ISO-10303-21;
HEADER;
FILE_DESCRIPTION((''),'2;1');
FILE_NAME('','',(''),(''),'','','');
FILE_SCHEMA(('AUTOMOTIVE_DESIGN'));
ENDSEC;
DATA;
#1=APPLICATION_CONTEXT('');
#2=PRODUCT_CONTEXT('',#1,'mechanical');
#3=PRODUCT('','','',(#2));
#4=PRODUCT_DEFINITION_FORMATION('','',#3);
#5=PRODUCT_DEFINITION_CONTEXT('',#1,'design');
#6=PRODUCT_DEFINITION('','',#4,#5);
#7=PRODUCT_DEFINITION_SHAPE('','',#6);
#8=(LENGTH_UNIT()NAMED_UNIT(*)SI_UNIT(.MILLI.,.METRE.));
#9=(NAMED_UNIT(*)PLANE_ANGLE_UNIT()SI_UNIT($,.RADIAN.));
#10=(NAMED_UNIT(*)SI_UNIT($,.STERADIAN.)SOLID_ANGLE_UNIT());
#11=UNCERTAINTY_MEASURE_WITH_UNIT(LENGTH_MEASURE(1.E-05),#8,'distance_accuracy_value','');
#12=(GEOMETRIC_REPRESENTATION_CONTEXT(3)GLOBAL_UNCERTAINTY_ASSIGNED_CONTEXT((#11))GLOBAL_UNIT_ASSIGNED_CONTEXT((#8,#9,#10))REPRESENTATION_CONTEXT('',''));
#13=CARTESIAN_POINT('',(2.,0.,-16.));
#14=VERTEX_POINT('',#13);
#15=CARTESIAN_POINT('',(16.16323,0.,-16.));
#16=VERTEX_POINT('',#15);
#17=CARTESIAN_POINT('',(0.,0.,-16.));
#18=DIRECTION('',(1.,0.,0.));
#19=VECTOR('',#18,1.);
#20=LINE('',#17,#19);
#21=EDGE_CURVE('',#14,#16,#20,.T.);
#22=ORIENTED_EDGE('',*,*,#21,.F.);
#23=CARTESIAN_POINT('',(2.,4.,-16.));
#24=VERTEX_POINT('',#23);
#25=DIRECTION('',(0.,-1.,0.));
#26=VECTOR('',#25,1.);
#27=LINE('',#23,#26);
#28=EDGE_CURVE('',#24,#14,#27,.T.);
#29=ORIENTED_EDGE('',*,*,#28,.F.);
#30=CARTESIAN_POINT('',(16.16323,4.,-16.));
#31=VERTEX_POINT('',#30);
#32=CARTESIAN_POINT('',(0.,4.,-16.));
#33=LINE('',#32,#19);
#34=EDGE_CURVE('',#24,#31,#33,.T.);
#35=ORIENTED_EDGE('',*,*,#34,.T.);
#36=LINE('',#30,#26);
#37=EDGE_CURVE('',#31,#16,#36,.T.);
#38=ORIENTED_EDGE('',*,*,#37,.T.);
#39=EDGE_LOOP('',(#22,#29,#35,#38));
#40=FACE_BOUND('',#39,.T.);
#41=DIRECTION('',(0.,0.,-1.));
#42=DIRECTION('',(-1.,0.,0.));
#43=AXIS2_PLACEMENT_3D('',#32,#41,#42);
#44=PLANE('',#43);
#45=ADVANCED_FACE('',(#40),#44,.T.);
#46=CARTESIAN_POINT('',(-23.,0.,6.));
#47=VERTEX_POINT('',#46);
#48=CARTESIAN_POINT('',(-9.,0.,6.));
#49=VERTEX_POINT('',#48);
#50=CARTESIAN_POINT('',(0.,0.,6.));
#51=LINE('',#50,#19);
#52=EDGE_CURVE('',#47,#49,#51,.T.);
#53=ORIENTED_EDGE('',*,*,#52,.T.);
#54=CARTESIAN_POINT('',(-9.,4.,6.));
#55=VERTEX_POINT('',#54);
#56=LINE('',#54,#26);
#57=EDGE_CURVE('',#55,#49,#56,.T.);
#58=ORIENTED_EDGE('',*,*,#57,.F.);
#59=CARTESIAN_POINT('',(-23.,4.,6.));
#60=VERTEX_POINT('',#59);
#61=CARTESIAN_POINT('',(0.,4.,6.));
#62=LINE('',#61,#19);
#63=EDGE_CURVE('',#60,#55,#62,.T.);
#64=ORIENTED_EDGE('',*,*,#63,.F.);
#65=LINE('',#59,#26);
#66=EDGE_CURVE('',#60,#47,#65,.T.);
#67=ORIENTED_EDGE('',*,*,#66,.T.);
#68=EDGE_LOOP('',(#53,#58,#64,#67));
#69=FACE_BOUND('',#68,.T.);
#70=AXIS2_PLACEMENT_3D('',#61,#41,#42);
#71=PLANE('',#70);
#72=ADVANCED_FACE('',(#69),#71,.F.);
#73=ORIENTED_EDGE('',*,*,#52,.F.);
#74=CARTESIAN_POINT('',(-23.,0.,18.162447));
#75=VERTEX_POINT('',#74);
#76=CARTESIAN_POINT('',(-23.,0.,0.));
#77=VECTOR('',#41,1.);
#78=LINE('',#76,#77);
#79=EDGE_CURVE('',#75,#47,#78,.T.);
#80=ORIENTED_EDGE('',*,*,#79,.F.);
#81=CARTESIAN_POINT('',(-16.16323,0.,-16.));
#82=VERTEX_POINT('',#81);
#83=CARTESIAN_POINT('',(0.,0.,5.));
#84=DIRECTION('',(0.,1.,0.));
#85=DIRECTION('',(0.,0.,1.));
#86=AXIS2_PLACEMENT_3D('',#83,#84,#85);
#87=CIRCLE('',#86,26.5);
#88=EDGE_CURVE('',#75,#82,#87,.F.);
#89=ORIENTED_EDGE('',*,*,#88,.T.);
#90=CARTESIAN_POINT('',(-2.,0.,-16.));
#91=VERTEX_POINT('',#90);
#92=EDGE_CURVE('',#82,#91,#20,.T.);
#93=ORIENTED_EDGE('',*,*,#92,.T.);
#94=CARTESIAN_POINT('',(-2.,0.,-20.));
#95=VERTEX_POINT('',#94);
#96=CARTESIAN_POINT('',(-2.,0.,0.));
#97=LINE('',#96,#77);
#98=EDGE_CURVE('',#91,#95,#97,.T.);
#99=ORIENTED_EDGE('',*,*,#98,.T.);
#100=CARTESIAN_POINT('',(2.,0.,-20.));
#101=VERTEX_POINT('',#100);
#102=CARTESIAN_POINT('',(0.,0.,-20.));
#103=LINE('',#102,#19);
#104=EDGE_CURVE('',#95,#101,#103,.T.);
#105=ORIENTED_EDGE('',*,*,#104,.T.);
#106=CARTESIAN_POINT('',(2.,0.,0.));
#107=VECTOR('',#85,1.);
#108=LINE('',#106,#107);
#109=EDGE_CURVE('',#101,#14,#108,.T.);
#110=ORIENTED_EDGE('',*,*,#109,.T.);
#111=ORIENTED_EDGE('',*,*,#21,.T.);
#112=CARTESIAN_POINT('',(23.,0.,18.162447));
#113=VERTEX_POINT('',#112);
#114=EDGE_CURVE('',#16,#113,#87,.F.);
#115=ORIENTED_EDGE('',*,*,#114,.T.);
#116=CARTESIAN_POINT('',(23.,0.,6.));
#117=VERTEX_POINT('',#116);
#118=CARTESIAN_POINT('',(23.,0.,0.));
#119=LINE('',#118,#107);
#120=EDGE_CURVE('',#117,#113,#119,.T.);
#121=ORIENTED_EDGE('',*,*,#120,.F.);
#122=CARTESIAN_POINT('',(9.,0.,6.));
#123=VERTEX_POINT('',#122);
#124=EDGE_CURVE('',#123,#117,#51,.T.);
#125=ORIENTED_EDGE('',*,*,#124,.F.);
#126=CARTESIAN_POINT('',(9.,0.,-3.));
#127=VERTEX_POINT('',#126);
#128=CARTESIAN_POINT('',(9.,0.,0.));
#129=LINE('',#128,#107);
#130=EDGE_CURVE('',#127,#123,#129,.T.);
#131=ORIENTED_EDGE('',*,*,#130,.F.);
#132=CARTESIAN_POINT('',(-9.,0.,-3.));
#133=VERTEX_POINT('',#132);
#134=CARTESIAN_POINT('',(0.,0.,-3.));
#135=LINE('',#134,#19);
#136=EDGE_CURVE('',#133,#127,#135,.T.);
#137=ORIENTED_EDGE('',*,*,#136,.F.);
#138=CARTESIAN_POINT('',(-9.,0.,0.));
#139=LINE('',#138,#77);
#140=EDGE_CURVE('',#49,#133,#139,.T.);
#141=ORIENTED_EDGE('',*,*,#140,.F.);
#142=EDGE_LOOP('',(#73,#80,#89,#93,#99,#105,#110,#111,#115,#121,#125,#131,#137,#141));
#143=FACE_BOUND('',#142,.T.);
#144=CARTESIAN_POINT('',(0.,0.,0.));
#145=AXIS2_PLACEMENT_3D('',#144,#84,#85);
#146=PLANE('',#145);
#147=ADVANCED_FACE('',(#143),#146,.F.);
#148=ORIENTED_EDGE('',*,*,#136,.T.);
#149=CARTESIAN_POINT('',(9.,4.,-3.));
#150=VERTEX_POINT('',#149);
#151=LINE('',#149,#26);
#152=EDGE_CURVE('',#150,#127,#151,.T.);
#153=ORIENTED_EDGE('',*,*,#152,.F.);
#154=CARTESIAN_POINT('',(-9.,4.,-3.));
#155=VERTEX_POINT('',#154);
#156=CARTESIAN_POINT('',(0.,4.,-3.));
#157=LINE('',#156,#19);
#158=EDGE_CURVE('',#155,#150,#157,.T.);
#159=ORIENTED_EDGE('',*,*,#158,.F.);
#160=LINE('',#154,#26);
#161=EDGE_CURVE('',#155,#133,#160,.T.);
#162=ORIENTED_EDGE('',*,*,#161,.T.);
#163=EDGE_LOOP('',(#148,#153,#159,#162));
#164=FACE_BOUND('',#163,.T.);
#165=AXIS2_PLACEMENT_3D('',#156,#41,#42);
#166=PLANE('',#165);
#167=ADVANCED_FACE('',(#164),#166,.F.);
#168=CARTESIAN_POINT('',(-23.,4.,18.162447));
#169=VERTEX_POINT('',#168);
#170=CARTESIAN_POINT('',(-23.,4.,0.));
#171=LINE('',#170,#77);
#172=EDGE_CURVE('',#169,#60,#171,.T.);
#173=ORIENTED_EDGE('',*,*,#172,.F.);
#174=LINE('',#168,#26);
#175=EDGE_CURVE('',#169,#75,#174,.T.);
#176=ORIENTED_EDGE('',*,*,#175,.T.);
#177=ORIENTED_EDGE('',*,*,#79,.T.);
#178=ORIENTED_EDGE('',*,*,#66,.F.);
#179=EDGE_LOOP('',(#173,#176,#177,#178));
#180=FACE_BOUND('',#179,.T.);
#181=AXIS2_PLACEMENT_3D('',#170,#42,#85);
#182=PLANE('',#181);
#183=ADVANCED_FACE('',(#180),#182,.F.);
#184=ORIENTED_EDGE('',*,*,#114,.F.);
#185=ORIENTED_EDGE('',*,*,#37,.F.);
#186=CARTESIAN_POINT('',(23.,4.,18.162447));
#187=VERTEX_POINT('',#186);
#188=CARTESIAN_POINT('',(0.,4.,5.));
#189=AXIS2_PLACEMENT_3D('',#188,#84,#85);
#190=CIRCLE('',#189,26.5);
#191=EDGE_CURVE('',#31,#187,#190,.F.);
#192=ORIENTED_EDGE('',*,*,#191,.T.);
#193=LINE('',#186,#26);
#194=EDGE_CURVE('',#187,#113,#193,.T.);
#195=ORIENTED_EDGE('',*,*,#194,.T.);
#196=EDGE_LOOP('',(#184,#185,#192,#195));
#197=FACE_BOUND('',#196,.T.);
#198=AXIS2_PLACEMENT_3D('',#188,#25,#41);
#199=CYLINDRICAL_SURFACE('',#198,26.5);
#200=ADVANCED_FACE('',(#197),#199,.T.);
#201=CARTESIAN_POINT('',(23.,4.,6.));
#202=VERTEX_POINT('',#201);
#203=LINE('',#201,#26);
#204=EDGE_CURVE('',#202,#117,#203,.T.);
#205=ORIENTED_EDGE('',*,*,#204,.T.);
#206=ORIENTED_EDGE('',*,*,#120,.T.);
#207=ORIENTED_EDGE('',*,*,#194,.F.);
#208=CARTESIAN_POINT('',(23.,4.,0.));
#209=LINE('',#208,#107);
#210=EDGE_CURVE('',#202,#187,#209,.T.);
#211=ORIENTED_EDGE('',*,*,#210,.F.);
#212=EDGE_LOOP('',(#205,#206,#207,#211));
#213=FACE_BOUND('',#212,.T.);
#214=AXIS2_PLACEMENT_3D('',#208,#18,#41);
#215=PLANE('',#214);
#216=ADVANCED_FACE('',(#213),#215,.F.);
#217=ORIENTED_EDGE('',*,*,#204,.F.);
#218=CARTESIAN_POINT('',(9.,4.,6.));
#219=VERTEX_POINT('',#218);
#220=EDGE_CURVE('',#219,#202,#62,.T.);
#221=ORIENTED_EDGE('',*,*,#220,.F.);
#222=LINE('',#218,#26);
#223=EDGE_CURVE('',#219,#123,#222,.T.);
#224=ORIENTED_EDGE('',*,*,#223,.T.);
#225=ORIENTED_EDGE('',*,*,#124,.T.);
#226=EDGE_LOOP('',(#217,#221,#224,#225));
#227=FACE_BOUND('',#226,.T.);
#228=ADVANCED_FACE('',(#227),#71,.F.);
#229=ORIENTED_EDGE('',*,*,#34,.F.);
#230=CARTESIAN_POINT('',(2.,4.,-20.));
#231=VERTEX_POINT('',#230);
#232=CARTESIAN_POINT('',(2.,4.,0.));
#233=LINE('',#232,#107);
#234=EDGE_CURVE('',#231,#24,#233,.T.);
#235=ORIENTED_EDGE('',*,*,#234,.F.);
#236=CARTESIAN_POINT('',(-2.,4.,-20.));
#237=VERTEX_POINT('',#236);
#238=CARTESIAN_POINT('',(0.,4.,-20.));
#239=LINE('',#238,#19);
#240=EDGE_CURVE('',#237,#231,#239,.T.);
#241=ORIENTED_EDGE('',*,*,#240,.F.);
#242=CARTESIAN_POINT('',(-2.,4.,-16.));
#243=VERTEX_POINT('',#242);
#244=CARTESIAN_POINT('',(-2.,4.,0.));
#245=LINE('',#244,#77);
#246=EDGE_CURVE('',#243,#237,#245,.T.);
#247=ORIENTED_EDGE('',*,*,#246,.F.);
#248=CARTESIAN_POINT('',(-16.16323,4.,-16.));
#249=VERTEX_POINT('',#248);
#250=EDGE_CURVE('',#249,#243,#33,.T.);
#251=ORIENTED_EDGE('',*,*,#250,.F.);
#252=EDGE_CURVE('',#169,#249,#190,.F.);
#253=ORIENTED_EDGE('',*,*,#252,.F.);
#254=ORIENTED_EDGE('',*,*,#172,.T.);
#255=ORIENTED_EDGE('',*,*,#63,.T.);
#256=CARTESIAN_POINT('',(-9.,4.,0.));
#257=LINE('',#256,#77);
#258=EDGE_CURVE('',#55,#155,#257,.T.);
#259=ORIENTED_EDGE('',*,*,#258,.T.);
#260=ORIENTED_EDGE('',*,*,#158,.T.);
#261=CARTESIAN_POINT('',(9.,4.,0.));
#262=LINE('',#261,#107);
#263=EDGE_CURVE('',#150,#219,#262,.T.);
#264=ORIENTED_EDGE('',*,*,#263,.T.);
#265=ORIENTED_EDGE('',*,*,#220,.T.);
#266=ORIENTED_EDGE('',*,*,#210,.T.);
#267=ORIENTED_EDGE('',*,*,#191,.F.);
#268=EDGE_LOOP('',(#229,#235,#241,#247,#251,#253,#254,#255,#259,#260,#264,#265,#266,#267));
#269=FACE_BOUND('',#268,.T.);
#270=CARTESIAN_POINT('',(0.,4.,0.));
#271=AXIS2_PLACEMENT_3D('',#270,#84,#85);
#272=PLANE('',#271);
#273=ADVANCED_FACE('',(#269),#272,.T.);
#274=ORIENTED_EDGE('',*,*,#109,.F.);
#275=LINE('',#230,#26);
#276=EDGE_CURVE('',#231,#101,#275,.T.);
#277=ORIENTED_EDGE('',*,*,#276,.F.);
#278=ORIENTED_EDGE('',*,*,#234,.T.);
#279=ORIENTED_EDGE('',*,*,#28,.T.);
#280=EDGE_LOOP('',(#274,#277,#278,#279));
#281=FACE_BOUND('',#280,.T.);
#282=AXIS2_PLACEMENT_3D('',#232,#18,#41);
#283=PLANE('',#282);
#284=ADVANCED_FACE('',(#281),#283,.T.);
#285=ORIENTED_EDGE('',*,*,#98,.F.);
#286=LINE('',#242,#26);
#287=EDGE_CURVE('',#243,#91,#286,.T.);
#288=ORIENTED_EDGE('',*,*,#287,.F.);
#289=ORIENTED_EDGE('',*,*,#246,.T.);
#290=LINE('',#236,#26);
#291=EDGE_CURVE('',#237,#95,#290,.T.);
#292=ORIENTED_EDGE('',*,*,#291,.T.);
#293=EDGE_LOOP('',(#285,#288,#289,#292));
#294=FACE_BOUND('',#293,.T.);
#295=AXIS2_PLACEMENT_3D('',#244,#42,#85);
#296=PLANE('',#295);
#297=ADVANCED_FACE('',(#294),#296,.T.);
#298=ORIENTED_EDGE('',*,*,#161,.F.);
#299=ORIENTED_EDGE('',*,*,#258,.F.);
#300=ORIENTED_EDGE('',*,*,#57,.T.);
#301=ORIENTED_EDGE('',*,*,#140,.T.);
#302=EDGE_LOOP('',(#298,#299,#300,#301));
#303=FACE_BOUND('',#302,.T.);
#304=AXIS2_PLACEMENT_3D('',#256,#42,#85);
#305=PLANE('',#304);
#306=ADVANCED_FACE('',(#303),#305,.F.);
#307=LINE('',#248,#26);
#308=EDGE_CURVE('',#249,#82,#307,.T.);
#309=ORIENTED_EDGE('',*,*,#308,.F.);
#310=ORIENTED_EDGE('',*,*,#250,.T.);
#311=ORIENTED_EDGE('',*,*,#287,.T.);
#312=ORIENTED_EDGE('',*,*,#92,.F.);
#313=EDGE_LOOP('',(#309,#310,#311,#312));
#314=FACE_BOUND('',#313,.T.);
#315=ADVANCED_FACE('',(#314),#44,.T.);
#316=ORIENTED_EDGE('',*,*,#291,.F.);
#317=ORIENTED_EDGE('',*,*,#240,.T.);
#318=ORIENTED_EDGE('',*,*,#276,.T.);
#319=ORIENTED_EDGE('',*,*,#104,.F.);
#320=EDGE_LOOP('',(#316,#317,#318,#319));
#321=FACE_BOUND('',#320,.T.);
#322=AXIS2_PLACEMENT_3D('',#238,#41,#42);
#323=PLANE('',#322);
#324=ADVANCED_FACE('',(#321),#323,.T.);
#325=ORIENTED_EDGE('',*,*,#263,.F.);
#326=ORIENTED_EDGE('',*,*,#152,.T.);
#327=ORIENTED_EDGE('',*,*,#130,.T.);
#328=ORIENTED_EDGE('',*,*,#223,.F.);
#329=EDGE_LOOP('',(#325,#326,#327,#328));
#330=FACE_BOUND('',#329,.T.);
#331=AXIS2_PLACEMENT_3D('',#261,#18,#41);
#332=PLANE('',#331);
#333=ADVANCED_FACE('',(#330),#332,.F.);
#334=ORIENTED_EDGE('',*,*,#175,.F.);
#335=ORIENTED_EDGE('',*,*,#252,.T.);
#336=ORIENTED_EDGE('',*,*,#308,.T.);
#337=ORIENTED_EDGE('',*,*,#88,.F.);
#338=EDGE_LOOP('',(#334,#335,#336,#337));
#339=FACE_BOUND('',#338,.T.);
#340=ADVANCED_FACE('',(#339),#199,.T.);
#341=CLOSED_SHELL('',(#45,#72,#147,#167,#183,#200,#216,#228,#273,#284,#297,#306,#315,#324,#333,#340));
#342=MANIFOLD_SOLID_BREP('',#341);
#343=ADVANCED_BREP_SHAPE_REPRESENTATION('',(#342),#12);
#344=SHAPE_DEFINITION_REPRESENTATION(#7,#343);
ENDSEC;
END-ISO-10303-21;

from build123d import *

# Parameters (mm, degrees)
SCHIZZO1_W                   = 4
SCHIZZO1_H                   = 4
ESTRUSIONE_ESTRUSIONE1_DEPTH = 4


with BuildPart() as part:
    # Schizzo1 → Estrusione-Estrusione1 (new body)
    with BuildSketch(Plane(origin=(0, 0, 0), x_dir=(1, 0, 0), z_dir=(0, 1, 0))):
        with BuildLine():
            Line((-2, 16), (-16.163229875, 16))
            ThreePointArc((-16.163229875, 16), (-25.984761547, 0.200208393), (-23, -18.162446581))
            Line((-23, -18.162446581), (-23, -6))
            Line((-23, -6), (-9, -6))
            Line((-9, -6), (-9, 3))
            Line((-9, 3), (9, 3))
            Line((9, 3), (9, -6))
            Line((9, -6), (23, -6))
            Line((23, -6), (23, -18.162446581))
            ThreePointArc((23, -18.162446581), (25.984761547, 0.200208393), (16.163229875, 16))
            Line((16.163229875, 16), (2, 16))
            Line((2, 16), (-2, 16))
        make_face()
        with Locations((0, 18)):
            Rectangle(SCHIZZO1_W, SCHIZZO1_H)
    extrude(amount=ESTRUSIONE_ESTRUSIONE1_DEPTH)


solid = part.part
